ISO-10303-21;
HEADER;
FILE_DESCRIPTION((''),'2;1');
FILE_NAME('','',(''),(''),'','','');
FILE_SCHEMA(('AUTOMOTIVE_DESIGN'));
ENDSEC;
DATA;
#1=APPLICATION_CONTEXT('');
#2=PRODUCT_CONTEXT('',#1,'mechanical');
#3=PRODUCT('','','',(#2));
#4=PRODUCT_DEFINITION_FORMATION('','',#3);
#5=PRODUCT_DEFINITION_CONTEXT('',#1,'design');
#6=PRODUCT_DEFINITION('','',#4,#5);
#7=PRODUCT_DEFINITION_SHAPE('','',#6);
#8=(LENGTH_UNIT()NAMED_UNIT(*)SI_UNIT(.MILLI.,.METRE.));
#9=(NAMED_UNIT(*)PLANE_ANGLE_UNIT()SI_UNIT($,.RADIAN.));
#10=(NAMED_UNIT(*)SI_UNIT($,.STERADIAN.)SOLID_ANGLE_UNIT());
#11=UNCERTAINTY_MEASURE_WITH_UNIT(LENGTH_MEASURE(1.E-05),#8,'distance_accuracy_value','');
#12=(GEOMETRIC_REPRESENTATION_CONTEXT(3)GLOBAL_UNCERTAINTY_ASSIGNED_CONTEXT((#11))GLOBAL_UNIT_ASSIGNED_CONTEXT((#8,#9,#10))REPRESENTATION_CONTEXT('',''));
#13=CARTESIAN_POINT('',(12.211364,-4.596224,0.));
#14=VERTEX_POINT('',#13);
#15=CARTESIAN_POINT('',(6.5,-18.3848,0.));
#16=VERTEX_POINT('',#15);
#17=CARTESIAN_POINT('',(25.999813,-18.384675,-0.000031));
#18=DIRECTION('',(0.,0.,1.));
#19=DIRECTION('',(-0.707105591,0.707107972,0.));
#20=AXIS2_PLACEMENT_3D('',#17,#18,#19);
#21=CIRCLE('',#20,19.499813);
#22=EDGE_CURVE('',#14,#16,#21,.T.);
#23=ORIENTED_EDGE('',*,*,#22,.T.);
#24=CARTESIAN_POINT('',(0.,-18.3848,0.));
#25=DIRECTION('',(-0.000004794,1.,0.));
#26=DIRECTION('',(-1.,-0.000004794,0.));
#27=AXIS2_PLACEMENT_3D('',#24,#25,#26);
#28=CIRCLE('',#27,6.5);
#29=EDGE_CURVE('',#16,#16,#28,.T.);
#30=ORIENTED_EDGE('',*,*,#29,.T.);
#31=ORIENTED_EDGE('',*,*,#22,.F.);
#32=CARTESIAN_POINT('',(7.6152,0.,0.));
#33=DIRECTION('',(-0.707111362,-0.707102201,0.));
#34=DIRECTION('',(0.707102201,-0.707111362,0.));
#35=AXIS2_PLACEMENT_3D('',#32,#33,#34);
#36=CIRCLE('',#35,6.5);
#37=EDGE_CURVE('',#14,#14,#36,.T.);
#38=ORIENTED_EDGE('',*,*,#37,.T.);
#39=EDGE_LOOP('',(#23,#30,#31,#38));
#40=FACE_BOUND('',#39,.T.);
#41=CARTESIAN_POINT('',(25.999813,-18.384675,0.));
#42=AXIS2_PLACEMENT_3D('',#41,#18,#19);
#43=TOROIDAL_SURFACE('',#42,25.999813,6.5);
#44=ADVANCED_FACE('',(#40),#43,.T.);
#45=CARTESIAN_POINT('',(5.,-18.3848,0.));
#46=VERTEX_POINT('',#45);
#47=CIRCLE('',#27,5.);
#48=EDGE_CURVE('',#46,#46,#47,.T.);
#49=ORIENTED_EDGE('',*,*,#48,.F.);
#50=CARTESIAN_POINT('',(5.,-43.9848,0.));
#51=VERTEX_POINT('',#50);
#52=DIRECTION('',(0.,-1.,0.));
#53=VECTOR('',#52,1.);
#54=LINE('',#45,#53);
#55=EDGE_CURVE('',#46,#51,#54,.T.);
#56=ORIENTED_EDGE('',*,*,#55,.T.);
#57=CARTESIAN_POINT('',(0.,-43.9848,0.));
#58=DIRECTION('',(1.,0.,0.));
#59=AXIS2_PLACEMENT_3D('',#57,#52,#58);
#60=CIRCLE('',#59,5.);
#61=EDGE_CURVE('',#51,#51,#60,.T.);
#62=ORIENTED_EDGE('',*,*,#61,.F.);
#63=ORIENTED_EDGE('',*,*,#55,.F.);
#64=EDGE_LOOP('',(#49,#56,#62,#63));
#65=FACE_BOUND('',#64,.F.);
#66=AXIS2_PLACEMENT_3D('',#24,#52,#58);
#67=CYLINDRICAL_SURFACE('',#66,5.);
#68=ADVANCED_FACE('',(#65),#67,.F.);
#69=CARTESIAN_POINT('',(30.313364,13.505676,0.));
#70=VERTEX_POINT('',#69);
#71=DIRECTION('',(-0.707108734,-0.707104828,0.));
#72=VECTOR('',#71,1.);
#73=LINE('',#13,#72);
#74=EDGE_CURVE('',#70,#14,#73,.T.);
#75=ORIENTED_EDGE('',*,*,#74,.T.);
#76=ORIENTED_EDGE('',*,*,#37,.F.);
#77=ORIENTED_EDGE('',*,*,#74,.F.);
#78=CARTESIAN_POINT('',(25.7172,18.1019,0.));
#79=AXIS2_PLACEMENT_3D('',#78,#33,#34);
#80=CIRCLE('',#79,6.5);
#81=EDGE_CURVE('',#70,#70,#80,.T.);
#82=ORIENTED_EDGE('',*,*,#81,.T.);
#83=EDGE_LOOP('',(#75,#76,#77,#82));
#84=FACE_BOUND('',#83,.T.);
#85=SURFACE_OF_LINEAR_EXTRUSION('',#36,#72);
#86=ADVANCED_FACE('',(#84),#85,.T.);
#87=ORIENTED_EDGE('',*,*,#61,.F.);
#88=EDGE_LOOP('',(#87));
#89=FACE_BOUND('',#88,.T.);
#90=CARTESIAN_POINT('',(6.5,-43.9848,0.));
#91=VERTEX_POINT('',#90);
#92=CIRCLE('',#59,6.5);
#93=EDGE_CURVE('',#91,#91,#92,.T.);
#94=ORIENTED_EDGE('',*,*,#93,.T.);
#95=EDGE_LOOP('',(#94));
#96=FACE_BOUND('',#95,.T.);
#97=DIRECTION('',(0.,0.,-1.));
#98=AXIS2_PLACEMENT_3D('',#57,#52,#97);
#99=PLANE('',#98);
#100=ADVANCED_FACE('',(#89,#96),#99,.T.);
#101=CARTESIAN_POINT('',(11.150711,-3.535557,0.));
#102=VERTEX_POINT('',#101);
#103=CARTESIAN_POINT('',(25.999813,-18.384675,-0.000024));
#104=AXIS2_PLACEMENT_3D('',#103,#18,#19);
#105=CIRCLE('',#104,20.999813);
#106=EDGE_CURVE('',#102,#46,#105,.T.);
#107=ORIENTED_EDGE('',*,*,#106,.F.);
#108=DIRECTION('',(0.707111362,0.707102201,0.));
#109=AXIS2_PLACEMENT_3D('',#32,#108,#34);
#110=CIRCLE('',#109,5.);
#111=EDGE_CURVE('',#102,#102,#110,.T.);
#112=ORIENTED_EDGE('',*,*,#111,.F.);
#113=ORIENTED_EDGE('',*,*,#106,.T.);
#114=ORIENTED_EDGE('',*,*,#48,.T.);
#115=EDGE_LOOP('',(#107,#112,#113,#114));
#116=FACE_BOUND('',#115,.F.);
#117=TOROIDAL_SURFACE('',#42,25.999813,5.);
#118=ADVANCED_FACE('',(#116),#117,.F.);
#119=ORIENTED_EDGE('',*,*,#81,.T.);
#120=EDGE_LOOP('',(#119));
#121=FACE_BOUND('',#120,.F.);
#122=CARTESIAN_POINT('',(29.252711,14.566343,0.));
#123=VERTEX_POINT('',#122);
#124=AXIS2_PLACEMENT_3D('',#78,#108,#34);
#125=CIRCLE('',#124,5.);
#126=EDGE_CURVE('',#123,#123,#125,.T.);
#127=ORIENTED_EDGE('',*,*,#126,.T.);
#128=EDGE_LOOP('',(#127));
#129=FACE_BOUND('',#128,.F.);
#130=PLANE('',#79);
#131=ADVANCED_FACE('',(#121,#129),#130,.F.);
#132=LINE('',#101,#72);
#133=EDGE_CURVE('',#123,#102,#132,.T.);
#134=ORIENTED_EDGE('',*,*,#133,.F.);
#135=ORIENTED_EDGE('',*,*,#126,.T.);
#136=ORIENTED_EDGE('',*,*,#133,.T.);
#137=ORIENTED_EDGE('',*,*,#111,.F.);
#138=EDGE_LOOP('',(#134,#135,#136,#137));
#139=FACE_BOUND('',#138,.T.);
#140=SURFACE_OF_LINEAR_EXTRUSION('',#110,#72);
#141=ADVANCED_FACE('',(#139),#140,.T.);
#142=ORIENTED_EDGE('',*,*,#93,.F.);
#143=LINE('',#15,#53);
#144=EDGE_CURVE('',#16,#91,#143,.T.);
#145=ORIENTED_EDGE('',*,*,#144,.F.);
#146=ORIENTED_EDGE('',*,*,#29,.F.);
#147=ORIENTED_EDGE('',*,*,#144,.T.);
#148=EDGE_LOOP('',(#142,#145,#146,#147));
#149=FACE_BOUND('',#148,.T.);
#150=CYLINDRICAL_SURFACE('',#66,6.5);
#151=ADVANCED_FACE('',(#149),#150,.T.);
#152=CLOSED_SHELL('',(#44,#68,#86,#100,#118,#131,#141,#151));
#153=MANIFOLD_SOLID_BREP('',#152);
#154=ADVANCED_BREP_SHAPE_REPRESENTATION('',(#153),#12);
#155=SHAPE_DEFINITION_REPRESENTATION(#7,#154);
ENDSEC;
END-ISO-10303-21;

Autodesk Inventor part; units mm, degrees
ref_plane "YZ Plane" through (0, 0, 0) normal (1, 0, 0) x (0, 1, 0)
ref_plane "XZ Plane" through (0, 0, 0) normal (0, 1, 0) x (-1, 0, 0)
sketch "Szkic6" plane through (0, 0, 0) normal (0, 0, 1) x (1, 0, 0)
  line L0 (-29.6067, 0) -> (35.2678, 0) construction
  line L1 (0, 42.3419) -> (0, -58.3726) construction
  arc A0 (7.6152, 0) -> (0, -18.3848) centre (26, -18.3848) ccw
  line L2 (0, -18.3848) -> (26, -18.3848) construction
  line L3 (26, -18.3848) -> (-20.3389, 27.9541) construction
  line L4 (7.6152, 0) -> (25.7172, 18.1019)
  line L5 (0, -18.3848) -> (0, -43.9848)
  point P0 (0, 0)
  dimension "d24" = 95.3
  dimension "d31" = 90
  dimension "d36" = 18.7
  dimension "d37" = 18.7
ref_plane "Płaszczyzna konstrukcyjna2" through (0, -18.3848, 0) normal (0, -1, 0) x (1, 0, 0)
sketch "Szkic8" plane through (0, -18.3848, 0) normal (0, -1, 0) x (1, 0, 0)
  circle A0 centre (0, 0) radius 6.5
  circle A1 centre (0, 0) radius 5
  dimension "d32" = 63.5
  dimension "d33" = 1.6
sweep "Przeciągnięcie2" add profiles "Szkic8" path "Szkic6"
equation "\"d32\" = OD"
equation "\"d33\" = THK"
equation "\"d24\" = R"
equation "\"d31\" = KAT"
equation "\"d36\" = PROSTKA"
equation "\"d37\" = PROSTKA"
equation "\"SzerokośćGięciaPodcięcia\" = Grubość"
equation "\"RozmiarPodcięciaNarożnika\" = 4 * Grubość"
equation "\"PromieńPrzejścia\" = PromieńGięcia"
equation "\"Rozmiar_promienia_Jacobiego\" = PromieńGięcia"
equation "\"Wielk_odstępu\" = Grubość"
equation "\"d2\" = PromieńGięcia"
equation "\"d23\" = PromieńGięcia"
equation "\"R\" = 95.3"
equation "\"OD\" = 63.5"
equation "\"THK\" = 1.6"
equation "\"KAT\" = 90deg"
equation "\"PROSTKA\" = 18.7"
equation "\"Grubość\" = 1.5"
equation "\"PromieńGięcia\" = 3"
properties part number "Kolano 90° ø63,5x1,6 R95,3" material "304L"
